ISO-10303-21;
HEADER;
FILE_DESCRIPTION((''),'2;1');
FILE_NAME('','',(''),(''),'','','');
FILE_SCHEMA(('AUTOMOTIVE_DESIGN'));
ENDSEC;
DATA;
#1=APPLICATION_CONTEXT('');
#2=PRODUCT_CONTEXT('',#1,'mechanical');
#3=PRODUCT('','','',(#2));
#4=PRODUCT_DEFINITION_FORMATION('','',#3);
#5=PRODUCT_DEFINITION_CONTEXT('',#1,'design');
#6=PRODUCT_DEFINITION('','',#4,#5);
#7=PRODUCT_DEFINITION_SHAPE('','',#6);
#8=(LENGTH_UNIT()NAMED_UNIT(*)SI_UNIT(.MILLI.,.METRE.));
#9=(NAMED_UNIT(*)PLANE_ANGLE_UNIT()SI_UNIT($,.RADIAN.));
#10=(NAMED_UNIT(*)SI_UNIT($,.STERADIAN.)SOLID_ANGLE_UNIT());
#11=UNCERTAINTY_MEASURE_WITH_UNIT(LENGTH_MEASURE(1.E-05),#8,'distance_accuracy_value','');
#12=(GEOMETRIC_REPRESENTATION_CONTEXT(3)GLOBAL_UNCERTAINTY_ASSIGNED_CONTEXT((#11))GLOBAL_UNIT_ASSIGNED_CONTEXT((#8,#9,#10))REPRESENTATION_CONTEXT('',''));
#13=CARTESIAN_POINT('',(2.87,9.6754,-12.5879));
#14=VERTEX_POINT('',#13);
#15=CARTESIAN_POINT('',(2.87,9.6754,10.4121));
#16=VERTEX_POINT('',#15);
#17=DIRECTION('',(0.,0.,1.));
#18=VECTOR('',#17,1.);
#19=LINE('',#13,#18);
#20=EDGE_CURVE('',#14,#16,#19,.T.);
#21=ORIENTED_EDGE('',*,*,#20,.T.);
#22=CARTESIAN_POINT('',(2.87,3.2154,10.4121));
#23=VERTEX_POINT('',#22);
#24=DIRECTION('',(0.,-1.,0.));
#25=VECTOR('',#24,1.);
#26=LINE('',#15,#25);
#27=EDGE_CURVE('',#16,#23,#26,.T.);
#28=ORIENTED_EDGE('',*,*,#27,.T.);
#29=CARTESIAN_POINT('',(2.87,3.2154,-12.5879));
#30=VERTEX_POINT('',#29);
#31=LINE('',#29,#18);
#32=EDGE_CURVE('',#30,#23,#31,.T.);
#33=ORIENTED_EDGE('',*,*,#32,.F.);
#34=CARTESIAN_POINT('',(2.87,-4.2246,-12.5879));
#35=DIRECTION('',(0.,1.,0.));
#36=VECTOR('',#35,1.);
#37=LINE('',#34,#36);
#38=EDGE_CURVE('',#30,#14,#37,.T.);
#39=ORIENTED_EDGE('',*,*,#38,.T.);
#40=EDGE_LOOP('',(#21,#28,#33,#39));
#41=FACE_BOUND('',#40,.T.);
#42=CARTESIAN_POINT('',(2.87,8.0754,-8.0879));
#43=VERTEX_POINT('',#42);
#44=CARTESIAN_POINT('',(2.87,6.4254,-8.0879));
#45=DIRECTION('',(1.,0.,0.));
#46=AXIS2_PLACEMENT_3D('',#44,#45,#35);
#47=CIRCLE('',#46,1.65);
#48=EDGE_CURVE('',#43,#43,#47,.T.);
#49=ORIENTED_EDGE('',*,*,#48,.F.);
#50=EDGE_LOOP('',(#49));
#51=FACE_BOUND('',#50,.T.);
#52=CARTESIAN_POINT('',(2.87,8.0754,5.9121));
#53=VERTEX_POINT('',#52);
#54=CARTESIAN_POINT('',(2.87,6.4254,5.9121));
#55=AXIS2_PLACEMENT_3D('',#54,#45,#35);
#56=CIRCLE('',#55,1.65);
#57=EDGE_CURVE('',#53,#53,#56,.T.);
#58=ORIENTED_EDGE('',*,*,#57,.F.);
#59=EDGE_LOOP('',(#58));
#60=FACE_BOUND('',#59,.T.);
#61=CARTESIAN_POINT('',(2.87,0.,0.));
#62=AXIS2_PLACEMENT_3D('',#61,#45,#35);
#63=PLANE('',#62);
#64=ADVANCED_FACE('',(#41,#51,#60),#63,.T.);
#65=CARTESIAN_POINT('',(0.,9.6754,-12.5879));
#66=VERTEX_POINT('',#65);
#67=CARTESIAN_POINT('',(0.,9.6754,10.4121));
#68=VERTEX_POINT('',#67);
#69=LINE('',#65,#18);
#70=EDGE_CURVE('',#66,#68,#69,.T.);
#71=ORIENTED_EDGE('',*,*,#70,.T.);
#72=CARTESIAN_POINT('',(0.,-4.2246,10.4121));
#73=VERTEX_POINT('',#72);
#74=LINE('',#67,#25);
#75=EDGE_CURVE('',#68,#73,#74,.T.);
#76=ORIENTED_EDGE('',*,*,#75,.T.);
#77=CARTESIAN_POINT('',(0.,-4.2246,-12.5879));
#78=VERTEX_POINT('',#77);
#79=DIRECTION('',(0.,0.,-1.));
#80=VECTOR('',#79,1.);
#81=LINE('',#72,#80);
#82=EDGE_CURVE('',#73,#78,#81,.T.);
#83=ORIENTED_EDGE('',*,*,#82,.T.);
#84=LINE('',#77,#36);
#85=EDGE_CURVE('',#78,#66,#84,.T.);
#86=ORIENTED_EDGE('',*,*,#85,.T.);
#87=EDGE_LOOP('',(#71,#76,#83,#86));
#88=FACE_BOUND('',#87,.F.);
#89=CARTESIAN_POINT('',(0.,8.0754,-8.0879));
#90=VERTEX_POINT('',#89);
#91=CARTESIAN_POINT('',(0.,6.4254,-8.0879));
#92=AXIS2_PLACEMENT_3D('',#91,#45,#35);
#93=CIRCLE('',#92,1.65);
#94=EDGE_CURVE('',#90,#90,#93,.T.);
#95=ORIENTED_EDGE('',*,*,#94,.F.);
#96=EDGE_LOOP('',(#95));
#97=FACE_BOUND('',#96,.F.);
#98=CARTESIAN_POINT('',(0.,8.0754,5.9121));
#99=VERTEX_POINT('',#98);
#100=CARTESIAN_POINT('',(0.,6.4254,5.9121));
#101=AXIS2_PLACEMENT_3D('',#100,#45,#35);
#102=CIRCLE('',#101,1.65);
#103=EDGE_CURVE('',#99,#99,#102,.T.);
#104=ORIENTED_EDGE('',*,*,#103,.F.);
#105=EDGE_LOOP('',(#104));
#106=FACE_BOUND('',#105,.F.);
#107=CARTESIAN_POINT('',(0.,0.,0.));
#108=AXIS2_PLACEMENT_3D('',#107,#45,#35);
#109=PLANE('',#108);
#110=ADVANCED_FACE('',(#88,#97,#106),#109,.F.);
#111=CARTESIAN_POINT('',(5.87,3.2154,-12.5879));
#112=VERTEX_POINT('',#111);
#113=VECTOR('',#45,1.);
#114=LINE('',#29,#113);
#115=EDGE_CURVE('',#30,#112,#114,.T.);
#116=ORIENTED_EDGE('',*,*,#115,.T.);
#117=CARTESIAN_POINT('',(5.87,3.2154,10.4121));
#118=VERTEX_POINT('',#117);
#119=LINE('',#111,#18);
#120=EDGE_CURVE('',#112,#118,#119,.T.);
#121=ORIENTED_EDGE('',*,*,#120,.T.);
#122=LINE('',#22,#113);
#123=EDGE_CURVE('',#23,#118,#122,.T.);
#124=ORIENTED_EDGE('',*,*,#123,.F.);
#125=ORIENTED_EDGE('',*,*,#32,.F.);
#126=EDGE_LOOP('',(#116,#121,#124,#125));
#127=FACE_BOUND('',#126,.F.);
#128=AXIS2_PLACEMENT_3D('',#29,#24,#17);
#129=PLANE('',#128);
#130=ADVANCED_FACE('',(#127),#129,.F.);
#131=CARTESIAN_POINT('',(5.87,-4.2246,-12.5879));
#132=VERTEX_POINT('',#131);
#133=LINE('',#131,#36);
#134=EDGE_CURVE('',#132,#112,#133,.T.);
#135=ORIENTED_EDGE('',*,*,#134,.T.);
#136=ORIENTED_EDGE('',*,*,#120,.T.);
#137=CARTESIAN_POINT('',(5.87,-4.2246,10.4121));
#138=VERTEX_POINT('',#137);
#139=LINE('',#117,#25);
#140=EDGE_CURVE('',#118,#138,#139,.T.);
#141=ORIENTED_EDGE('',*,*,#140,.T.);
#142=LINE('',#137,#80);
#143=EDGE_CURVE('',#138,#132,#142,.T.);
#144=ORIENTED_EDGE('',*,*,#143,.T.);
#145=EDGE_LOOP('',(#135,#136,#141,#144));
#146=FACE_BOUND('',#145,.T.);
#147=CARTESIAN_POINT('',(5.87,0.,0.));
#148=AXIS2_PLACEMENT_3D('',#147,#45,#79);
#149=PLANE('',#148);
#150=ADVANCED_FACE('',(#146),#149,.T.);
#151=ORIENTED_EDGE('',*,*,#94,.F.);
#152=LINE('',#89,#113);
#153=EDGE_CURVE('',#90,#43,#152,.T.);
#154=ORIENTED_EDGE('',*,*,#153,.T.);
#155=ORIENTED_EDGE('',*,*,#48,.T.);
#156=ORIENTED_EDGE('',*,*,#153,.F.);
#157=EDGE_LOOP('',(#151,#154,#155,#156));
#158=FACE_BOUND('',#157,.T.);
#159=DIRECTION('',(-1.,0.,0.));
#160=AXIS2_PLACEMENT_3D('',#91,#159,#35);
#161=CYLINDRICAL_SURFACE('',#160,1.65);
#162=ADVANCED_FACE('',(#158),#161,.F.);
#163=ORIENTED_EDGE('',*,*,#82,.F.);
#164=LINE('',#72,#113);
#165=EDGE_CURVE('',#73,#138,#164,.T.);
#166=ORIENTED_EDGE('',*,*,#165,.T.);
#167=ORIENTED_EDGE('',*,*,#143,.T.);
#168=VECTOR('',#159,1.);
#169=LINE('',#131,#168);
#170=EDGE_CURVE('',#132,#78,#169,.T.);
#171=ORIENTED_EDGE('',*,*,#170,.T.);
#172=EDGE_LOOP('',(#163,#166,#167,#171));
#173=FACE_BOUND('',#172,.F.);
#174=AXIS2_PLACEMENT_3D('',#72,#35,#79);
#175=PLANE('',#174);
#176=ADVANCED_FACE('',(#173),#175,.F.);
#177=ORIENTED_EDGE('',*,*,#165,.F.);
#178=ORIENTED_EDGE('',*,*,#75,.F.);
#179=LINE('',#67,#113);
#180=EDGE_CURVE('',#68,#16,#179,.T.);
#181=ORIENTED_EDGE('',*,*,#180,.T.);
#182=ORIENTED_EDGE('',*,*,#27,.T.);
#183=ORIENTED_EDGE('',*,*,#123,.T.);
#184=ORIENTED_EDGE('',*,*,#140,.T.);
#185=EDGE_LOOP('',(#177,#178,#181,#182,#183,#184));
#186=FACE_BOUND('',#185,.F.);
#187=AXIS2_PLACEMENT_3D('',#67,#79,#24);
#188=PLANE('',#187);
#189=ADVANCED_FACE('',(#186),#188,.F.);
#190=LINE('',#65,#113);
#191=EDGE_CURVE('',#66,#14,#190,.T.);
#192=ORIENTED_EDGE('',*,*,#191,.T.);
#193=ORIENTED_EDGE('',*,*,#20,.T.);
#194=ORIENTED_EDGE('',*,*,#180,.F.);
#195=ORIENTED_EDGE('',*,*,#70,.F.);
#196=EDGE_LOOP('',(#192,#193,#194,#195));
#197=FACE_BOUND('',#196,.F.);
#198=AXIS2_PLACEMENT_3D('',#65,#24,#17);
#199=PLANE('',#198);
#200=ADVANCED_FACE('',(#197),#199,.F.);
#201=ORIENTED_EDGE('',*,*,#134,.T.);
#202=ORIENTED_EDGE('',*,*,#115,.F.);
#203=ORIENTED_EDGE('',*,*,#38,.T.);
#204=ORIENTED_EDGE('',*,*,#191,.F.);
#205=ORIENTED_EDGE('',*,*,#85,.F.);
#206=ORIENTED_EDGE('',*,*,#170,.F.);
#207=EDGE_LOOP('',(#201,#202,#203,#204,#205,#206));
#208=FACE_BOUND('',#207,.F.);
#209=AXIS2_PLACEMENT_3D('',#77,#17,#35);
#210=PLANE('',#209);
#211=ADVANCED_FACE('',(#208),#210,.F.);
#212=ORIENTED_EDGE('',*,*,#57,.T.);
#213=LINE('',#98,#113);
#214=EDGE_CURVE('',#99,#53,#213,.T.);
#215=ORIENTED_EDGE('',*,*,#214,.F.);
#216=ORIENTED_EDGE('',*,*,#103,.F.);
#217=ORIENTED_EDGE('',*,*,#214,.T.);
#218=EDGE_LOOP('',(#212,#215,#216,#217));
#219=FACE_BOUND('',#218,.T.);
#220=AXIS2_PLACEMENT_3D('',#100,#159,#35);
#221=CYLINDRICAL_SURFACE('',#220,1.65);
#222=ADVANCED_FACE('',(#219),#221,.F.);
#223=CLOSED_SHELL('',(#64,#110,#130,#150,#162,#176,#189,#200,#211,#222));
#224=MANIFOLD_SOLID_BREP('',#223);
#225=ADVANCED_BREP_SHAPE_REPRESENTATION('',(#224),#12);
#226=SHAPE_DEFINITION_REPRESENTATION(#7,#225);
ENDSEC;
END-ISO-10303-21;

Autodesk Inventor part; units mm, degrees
ref_plane "YZ Plane" through (0, 0, 0) normal (1, 0, 0) x (0, 1, 0)
ref_plane "XZ Plane" through (0, 0, 0) normal (0, 1, 0) x (-1, 0, 0)
ref_plane "XY Plane" through (0, 0, 0) normal (0, 0, 1) x (1, 0, 0)
sketch "Sketch1" plane through (0, 0, 0) normal (1, 0, 0) x (0, 1, 0)
  line L0 (9.6754, 10.4121) -> (-4.2246, 10.4121)
  line L1 (-4.2246, 10.4121) -> (-4.2246, -12.5879)
  line L2 (-4.2246, -12.5879) -> (9.6754, -12.5879)
  line L3 (9.6754, -12.5879) -> (9.6754, 10.4121)
  line L4 (9.6754, -1.0879) -> (8.0754, -1.0879) construction
  line L5 (8.0754, -1.0879) -> (8.0754, -8.0879) construction
  line L6 (8.0754, -8.0879) -> (8.0754, 5.9121) construction
  line L7 (8.0754, 5.9121) -> (6.4254, 5.9121) construction
  circle A0 centre (6.4254, 5.9121) radius 1.65
  circle A1 centre (6.4254, -8.0879) radius 1.65
  point P0 (0, 0)
  dimension "d0" = 13.9
  dimension "d1" = 23
  dimension "d7" = 1.6
  dimension "d8" = 7
  dimension "d9" = 90
  dimension "d10" = 14
  dimension "d11" = 1.65
  dimension "d12" = 3.3
  dimension "d13" = 3.3
extrude "Extrusion1" add sketch "Sketch1" along normal blind 2.87
sketch "Sketch2" plane through (2.87, 0, 0) normal (1, 0, 0) x (0, 0, -1)
  line L0 (12.5879, -4.2246) -> (12.5879, 9.6754) projected
  line L1 (-10.4121, -4.2246) -> (12.5879, -4.2246)
  line L2 (12.5879, -4.2246) -> (12.5879, 3.2154)
  line L3 (12.5879, 3.2154) -> (-10.4121, 3.2154)
  line L4 (-10.4121, 3.2154) -> (-10.4121, -4.2246)
  point P0 (0, 0)
  dimension "d4" = 7.44
extrude "Extrusion2" add sketch "Sketch2" along normal blind 3
properties part number "reed_switch"
